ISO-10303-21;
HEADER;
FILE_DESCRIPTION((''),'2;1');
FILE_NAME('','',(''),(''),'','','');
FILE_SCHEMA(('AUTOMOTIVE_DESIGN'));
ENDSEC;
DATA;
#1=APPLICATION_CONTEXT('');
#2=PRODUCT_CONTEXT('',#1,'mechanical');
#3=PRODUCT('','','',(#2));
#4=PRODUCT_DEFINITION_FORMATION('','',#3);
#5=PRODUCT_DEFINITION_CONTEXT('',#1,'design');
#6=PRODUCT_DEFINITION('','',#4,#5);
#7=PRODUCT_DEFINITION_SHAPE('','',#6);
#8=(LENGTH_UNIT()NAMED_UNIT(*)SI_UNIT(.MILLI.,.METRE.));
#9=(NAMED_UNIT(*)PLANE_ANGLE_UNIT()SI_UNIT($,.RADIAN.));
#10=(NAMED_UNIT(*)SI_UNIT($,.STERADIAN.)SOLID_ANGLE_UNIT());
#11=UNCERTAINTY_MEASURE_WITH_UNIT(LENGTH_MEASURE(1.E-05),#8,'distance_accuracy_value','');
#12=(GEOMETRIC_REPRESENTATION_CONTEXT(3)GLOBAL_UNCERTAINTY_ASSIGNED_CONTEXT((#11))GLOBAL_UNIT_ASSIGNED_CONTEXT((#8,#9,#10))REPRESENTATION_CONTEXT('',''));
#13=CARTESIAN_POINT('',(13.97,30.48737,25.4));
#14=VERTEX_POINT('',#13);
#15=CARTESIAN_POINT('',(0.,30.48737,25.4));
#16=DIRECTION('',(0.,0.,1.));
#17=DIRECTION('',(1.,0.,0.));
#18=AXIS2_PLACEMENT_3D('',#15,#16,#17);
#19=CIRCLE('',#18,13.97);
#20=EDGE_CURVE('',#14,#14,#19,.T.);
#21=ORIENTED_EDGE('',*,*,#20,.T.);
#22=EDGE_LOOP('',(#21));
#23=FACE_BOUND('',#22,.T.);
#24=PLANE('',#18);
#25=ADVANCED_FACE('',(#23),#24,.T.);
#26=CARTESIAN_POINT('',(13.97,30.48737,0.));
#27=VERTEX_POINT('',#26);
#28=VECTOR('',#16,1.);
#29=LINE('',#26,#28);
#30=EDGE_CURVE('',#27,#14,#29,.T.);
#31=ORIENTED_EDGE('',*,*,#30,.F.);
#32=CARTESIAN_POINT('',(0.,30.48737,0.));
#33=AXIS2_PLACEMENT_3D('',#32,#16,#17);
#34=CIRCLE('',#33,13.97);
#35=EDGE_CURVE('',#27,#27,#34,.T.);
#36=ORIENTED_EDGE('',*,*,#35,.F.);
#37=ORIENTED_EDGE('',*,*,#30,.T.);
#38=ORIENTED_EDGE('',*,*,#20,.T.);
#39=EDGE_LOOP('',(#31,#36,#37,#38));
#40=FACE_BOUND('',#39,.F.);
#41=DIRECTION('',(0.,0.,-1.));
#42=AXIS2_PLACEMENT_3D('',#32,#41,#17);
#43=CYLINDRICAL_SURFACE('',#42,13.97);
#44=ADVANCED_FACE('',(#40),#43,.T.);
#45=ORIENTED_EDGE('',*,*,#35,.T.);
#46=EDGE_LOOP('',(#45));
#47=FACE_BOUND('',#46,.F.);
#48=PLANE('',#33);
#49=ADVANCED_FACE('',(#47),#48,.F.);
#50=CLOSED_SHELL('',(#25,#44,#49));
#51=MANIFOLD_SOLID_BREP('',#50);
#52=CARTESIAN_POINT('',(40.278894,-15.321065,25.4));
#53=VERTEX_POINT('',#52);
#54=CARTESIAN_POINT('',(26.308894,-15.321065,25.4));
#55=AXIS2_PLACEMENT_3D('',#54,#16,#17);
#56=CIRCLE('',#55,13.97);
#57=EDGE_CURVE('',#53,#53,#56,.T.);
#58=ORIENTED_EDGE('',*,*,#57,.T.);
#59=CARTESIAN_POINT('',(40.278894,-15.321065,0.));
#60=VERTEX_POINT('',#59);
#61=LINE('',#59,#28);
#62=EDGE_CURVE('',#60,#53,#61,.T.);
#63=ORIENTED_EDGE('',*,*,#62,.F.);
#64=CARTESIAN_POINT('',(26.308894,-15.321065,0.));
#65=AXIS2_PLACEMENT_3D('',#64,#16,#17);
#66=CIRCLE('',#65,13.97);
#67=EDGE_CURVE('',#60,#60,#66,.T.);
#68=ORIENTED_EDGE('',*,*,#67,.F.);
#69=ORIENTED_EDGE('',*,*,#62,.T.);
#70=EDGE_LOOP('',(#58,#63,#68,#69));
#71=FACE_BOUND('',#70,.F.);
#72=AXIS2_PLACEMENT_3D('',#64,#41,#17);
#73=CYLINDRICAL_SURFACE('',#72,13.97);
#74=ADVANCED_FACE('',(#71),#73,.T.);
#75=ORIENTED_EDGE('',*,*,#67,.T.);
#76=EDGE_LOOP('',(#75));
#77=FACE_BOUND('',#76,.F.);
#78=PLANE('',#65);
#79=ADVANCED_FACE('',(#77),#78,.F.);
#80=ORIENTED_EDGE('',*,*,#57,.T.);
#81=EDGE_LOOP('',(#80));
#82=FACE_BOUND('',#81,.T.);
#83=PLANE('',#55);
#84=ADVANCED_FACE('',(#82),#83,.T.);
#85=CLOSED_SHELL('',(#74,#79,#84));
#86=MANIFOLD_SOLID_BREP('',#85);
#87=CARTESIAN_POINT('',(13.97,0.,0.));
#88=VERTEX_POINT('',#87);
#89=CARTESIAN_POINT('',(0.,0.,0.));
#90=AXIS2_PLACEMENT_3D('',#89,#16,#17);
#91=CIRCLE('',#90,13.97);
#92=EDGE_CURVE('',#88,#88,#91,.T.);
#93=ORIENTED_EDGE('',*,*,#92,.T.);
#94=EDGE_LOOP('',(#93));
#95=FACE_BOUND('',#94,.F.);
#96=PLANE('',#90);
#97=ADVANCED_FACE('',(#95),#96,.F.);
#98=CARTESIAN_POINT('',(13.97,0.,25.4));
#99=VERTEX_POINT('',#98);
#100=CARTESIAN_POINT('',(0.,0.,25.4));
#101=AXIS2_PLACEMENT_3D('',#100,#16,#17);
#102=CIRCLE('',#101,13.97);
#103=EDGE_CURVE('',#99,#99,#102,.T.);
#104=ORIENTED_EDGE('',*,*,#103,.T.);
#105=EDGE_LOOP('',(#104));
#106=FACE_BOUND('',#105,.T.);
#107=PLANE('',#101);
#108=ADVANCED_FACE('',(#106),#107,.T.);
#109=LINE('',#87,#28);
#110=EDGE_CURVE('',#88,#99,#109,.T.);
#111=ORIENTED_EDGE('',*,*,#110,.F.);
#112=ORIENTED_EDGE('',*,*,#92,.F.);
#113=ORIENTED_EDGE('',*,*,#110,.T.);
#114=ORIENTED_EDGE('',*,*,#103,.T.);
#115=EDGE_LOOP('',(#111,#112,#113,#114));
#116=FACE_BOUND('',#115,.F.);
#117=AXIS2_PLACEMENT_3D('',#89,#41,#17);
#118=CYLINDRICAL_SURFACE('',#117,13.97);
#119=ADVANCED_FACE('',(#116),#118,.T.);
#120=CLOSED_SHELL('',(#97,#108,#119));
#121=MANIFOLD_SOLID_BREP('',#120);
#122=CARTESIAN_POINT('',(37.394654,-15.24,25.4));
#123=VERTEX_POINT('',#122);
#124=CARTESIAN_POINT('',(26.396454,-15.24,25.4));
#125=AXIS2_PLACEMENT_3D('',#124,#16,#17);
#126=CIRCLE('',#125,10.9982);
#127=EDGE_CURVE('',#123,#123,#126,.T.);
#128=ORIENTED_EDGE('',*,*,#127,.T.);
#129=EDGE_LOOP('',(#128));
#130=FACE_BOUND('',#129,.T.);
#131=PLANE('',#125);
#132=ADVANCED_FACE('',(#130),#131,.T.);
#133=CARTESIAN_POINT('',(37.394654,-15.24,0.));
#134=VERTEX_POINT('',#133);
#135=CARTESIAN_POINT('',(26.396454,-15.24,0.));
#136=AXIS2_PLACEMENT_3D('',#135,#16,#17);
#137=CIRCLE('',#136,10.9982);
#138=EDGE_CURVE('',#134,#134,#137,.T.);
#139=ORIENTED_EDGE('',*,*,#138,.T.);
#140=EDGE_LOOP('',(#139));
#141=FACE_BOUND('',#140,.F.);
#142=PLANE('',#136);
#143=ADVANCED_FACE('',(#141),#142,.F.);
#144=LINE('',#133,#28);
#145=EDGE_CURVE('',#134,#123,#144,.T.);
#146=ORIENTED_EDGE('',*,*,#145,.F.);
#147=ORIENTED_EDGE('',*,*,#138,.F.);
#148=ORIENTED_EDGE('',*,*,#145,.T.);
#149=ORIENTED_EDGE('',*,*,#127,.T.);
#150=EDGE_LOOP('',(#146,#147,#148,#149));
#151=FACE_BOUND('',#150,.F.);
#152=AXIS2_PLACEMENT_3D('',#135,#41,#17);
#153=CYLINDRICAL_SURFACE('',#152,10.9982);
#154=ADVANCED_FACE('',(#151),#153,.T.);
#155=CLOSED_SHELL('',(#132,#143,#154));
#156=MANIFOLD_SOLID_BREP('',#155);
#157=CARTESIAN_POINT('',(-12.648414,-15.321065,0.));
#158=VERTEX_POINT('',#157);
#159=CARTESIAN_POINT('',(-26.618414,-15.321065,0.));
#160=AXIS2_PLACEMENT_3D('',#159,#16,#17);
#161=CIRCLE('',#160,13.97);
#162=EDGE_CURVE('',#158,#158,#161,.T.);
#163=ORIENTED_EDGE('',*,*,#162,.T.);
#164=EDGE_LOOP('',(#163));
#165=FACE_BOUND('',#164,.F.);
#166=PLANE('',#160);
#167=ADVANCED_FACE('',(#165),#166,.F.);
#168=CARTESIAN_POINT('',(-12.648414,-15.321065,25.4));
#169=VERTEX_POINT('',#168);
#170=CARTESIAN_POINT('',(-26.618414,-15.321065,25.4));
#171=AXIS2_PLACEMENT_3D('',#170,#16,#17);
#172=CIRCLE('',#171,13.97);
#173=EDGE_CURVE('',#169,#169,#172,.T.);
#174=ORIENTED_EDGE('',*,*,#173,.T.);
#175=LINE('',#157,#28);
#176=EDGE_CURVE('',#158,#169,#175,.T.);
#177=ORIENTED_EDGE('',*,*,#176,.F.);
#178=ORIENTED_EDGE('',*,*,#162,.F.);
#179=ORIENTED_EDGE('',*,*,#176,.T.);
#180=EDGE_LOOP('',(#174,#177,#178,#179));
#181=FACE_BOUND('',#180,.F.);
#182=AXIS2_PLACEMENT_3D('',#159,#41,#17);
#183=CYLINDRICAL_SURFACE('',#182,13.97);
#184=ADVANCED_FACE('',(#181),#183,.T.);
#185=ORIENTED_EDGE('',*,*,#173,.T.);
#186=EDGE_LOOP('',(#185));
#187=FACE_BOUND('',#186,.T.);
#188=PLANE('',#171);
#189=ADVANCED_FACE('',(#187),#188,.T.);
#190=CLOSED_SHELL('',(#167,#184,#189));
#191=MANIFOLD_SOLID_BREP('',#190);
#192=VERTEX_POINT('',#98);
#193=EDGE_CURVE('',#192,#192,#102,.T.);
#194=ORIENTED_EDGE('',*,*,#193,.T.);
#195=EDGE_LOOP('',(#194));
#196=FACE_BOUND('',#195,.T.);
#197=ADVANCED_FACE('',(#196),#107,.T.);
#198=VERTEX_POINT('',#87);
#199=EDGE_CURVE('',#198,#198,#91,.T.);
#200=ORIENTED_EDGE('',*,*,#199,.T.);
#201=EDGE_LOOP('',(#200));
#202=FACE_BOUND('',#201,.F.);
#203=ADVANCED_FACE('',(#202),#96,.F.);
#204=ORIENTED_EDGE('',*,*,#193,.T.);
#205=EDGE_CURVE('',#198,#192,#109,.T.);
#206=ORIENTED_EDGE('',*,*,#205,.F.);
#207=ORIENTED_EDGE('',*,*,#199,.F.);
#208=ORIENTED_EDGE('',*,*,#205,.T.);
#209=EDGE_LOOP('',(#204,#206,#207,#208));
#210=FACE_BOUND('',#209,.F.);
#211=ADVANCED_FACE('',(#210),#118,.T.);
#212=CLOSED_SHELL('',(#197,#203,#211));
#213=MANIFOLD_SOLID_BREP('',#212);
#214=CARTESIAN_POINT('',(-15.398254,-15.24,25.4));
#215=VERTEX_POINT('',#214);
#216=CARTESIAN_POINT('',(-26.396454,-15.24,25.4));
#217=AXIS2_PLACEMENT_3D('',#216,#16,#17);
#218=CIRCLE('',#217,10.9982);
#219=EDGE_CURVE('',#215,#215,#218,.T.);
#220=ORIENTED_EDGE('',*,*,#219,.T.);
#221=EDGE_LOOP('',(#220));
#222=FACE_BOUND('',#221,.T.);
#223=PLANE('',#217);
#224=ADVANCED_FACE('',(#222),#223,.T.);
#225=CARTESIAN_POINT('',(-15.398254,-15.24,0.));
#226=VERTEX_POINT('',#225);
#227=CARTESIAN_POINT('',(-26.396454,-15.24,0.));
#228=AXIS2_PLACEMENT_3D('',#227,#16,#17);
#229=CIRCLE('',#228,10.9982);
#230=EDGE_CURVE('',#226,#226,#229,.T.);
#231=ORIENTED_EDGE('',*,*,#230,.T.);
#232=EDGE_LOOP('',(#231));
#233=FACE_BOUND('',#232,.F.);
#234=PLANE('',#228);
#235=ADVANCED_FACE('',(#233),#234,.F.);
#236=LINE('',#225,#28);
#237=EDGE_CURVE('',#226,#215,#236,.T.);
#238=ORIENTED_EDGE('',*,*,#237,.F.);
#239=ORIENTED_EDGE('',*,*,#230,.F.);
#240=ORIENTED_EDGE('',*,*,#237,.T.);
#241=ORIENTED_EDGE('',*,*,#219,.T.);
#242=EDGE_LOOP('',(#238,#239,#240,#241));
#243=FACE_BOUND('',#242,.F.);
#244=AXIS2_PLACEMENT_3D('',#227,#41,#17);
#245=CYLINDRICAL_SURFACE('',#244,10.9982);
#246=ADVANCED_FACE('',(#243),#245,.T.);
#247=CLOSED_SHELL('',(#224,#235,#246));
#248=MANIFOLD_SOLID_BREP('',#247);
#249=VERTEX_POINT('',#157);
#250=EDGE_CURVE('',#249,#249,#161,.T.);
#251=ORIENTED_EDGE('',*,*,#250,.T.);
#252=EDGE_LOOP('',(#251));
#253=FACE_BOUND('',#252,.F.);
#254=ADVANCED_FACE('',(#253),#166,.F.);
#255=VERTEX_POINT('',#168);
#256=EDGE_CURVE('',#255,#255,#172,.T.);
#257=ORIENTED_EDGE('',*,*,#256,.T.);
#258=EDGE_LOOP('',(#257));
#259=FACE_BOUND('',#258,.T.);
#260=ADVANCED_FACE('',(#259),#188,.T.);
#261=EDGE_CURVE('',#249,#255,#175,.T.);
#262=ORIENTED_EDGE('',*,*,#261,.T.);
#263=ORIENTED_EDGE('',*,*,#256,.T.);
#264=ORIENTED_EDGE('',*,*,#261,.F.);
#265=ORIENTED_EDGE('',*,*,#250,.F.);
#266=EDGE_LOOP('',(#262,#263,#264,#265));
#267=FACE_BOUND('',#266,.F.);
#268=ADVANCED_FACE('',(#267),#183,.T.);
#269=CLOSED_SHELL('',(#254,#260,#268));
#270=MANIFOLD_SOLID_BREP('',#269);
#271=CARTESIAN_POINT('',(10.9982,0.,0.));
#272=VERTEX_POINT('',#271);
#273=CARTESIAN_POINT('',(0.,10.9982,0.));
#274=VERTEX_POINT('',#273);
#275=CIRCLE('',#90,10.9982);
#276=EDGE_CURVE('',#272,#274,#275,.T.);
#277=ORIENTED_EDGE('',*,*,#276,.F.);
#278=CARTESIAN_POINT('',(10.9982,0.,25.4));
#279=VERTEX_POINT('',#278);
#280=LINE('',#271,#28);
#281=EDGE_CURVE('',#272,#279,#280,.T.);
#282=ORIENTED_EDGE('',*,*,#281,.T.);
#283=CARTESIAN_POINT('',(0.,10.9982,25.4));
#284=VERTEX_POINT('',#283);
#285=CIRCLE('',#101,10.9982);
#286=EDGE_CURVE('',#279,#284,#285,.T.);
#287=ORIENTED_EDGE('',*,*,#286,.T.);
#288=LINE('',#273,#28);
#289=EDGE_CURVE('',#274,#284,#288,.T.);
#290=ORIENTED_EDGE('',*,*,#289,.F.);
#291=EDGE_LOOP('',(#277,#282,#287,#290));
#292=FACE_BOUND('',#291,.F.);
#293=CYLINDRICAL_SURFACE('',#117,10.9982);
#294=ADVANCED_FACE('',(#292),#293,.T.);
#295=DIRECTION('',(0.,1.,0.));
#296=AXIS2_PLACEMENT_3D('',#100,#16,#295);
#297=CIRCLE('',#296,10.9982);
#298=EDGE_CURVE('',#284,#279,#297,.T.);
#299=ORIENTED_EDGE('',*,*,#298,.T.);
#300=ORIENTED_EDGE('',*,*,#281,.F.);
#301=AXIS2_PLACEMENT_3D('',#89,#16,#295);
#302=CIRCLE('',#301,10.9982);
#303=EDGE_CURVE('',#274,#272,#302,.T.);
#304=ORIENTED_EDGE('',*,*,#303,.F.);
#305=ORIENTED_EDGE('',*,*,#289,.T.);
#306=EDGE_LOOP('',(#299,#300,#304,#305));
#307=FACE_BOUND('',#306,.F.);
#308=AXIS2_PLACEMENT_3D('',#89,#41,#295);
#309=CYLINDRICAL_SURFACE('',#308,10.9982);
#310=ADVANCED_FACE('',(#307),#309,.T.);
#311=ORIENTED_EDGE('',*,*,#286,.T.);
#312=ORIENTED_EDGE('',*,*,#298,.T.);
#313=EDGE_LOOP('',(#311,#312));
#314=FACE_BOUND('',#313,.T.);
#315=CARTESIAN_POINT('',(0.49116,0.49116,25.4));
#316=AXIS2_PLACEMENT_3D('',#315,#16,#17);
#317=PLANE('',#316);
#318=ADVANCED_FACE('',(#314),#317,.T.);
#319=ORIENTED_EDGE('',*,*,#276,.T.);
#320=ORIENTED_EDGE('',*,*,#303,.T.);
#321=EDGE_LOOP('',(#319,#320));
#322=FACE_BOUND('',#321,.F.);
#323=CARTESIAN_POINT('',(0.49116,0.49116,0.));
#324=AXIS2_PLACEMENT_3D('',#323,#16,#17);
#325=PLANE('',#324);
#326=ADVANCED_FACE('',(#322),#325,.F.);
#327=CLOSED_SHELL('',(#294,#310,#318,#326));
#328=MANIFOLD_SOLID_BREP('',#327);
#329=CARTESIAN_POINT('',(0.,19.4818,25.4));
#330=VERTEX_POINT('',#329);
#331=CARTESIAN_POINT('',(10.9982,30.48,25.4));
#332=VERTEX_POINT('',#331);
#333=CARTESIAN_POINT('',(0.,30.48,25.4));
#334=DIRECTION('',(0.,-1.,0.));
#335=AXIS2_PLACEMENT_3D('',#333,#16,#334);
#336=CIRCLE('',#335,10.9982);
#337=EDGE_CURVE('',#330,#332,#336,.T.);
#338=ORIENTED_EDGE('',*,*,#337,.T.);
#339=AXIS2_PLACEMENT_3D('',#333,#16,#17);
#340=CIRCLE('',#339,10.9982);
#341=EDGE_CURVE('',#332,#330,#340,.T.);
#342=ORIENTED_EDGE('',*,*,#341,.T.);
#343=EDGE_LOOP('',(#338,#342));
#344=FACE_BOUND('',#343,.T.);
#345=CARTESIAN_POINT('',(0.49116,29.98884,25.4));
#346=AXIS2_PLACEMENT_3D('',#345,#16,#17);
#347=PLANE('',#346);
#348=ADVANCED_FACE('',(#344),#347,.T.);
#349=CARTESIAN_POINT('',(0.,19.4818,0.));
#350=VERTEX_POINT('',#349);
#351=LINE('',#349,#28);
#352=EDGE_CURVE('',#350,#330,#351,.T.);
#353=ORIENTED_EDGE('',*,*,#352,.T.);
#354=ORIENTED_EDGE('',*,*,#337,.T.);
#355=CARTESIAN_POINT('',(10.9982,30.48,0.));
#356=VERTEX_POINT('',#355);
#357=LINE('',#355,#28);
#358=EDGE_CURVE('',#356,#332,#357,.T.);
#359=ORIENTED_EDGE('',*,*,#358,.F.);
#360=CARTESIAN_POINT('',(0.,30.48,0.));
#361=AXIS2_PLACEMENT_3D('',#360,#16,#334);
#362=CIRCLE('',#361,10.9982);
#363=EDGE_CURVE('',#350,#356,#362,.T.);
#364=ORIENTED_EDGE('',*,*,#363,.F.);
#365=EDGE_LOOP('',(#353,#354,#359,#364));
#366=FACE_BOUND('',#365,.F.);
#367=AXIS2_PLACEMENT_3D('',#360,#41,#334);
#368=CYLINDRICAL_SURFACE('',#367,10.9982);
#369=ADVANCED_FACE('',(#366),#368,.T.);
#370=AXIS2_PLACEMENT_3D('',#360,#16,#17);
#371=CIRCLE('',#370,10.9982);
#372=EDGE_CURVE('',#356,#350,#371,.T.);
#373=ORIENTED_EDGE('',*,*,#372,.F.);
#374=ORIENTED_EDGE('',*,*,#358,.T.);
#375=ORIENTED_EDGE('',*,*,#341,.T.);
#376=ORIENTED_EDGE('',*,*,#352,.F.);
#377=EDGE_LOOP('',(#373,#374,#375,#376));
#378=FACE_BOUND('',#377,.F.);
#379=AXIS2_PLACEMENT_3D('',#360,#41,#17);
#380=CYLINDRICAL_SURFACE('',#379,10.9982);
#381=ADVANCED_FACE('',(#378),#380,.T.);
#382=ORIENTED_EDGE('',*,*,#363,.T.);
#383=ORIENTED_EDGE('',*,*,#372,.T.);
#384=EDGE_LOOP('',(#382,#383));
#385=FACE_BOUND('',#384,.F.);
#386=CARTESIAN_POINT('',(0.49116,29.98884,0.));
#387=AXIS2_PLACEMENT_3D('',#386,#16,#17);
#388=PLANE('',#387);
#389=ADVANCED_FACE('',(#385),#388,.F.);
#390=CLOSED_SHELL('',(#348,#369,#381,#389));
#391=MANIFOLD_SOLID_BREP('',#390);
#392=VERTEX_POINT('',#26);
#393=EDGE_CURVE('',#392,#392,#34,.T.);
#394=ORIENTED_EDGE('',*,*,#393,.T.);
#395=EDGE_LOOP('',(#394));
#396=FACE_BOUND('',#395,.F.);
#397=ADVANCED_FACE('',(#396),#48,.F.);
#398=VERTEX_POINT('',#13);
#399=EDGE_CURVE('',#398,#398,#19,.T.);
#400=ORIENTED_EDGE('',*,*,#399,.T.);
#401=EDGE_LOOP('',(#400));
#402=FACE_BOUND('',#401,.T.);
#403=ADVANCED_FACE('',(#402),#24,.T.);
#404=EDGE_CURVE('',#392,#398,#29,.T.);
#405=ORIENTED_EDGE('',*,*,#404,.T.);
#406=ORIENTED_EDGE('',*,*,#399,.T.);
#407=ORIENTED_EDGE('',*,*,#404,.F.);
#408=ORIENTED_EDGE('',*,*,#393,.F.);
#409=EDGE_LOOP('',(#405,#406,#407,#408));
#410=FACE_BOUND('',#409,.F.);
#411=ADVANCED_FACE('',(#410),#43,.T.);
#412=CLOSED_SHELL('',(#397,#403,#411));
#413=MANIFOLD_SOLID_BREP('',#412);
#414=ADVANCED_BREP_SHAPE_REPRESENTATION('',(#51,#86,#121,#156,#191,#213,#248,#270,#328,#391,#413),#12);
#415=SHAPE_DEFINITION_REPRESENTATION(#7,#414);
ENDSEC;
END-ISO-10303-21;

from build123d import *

# Parameters (mm, degrees)
F0_R     = 10.9982
F3_DEPTH = 25.4
F1_R     = 13.97
F4_DEPTH = 25.4


with BuildPart() as f3:
    # F0 (on Top) → F3 (new body)
    with BuildSketch(Plane.XY):
        with Locations((-26.3964543073, -15.24)):
            Circle(F0_R)
    extrude(amount=F3_DEPTH)


with BuildPart() as f3b:
    # F0 (on Top) → F3, piece 2 (new body)
    with BuildSketch(Plane.XY):
        with BuildLine():
            ThreePointArc((0, 10.9982), (-7.7769018008, -7.7769018008), (10.9982, 0))
            ThreePointArc((10.9982, 0), (7.7769018008, 7.7769018008), (0, 10.9982))
        make_face()
    extrude(amount=F3_DEPTH)


with BuildPart() as f3c:
    # F0 (on Top) → F3, piece 3 (new body)
    with BuildSketch(Plane.XY):
        with BuildLine():
            ThreePointArc((10.9982, 30.48), (-7.7769018008, 38.2569018008), (0, 19.4818))
            ThreePointArc((0, 19.4818), (7.7769018008, 22.7030981992), (10.9982, 30.48))
        make_face()
    extrude(amount=F3_DEPTH)


with BuildPart() as f3d:
    # F0 (on Top) → F3, piece 4 (new body)
    with BuildSketch(Plane.XY):
        with Locations((26.3964543073, -15.24)):
            Circle(F0_R)
    extrude(amount=F3_DEPTH)


with BuildPart() as f3e:
    # F1 (on Top) → F3, piece 5 (new body)
    with BuildSketch(Plane.XY):
        Circle(F1_R)
    extrude(amount=F3_DEPTH)


with BuildPart() as f3f:
    # F1 (on Top) → F3, piece 6 (new body)
    with BuildSketch(Plane.XY):
        with Locations((0, 30.487369746)):
            Circle(F1_R)
    extrude(amount=F3_DEPTH)


with BuildPart() as f3g:
    # F1 (on Top) → F3, piece 7 (new body)
    with BuildSketch(Plane.XY):
        with Locations((-26.6184136271, -15.3210647404)):
            Circle(F1_R)
    extrude(amount=F3_DEPTH)


with BuildPart() as f4:
    # F1 (on Top) → F4 (new body)
    with BuildSketch(Plane.XY):
        Circle(F1_R)
    extrude(amount=F4_DEPTH)


with BuildPart() as f4b:
    # F1 (on Top) → F4, piece 2 (new body)
    with BuildSketch(Plane.XY):
        with Locations((-26.6184136271, -15.3210647404)):
            Circle(F1_R)
    extrude(amount=F4_DEPTH)


with BuildPart() as f4c:
    # F1 (on Top) → F4, piece 3 (new body)
    with BuildSketch(Plane.XY):
        with Locations((0, 30.487369746)):
            Circle(F1_R)
    extrude(amount=F4_DEPTH)


with BuildPart() as f4d:
    # F1 (on Top) → F4, piece 4 (new body)
    with BuildSketch(Plane.XY):
        with Locations((26.3088941574, -15.3210647404)):
            Circle(F1_R)
    extrude(amount=F4_DEPTH)


solid = Compound([f3.part, f3b.part, f3c.part, f3d.part, f3e.part, f3f.part, f3g.part, f4.part, f4b.part, f4c.part, f4d.part])
